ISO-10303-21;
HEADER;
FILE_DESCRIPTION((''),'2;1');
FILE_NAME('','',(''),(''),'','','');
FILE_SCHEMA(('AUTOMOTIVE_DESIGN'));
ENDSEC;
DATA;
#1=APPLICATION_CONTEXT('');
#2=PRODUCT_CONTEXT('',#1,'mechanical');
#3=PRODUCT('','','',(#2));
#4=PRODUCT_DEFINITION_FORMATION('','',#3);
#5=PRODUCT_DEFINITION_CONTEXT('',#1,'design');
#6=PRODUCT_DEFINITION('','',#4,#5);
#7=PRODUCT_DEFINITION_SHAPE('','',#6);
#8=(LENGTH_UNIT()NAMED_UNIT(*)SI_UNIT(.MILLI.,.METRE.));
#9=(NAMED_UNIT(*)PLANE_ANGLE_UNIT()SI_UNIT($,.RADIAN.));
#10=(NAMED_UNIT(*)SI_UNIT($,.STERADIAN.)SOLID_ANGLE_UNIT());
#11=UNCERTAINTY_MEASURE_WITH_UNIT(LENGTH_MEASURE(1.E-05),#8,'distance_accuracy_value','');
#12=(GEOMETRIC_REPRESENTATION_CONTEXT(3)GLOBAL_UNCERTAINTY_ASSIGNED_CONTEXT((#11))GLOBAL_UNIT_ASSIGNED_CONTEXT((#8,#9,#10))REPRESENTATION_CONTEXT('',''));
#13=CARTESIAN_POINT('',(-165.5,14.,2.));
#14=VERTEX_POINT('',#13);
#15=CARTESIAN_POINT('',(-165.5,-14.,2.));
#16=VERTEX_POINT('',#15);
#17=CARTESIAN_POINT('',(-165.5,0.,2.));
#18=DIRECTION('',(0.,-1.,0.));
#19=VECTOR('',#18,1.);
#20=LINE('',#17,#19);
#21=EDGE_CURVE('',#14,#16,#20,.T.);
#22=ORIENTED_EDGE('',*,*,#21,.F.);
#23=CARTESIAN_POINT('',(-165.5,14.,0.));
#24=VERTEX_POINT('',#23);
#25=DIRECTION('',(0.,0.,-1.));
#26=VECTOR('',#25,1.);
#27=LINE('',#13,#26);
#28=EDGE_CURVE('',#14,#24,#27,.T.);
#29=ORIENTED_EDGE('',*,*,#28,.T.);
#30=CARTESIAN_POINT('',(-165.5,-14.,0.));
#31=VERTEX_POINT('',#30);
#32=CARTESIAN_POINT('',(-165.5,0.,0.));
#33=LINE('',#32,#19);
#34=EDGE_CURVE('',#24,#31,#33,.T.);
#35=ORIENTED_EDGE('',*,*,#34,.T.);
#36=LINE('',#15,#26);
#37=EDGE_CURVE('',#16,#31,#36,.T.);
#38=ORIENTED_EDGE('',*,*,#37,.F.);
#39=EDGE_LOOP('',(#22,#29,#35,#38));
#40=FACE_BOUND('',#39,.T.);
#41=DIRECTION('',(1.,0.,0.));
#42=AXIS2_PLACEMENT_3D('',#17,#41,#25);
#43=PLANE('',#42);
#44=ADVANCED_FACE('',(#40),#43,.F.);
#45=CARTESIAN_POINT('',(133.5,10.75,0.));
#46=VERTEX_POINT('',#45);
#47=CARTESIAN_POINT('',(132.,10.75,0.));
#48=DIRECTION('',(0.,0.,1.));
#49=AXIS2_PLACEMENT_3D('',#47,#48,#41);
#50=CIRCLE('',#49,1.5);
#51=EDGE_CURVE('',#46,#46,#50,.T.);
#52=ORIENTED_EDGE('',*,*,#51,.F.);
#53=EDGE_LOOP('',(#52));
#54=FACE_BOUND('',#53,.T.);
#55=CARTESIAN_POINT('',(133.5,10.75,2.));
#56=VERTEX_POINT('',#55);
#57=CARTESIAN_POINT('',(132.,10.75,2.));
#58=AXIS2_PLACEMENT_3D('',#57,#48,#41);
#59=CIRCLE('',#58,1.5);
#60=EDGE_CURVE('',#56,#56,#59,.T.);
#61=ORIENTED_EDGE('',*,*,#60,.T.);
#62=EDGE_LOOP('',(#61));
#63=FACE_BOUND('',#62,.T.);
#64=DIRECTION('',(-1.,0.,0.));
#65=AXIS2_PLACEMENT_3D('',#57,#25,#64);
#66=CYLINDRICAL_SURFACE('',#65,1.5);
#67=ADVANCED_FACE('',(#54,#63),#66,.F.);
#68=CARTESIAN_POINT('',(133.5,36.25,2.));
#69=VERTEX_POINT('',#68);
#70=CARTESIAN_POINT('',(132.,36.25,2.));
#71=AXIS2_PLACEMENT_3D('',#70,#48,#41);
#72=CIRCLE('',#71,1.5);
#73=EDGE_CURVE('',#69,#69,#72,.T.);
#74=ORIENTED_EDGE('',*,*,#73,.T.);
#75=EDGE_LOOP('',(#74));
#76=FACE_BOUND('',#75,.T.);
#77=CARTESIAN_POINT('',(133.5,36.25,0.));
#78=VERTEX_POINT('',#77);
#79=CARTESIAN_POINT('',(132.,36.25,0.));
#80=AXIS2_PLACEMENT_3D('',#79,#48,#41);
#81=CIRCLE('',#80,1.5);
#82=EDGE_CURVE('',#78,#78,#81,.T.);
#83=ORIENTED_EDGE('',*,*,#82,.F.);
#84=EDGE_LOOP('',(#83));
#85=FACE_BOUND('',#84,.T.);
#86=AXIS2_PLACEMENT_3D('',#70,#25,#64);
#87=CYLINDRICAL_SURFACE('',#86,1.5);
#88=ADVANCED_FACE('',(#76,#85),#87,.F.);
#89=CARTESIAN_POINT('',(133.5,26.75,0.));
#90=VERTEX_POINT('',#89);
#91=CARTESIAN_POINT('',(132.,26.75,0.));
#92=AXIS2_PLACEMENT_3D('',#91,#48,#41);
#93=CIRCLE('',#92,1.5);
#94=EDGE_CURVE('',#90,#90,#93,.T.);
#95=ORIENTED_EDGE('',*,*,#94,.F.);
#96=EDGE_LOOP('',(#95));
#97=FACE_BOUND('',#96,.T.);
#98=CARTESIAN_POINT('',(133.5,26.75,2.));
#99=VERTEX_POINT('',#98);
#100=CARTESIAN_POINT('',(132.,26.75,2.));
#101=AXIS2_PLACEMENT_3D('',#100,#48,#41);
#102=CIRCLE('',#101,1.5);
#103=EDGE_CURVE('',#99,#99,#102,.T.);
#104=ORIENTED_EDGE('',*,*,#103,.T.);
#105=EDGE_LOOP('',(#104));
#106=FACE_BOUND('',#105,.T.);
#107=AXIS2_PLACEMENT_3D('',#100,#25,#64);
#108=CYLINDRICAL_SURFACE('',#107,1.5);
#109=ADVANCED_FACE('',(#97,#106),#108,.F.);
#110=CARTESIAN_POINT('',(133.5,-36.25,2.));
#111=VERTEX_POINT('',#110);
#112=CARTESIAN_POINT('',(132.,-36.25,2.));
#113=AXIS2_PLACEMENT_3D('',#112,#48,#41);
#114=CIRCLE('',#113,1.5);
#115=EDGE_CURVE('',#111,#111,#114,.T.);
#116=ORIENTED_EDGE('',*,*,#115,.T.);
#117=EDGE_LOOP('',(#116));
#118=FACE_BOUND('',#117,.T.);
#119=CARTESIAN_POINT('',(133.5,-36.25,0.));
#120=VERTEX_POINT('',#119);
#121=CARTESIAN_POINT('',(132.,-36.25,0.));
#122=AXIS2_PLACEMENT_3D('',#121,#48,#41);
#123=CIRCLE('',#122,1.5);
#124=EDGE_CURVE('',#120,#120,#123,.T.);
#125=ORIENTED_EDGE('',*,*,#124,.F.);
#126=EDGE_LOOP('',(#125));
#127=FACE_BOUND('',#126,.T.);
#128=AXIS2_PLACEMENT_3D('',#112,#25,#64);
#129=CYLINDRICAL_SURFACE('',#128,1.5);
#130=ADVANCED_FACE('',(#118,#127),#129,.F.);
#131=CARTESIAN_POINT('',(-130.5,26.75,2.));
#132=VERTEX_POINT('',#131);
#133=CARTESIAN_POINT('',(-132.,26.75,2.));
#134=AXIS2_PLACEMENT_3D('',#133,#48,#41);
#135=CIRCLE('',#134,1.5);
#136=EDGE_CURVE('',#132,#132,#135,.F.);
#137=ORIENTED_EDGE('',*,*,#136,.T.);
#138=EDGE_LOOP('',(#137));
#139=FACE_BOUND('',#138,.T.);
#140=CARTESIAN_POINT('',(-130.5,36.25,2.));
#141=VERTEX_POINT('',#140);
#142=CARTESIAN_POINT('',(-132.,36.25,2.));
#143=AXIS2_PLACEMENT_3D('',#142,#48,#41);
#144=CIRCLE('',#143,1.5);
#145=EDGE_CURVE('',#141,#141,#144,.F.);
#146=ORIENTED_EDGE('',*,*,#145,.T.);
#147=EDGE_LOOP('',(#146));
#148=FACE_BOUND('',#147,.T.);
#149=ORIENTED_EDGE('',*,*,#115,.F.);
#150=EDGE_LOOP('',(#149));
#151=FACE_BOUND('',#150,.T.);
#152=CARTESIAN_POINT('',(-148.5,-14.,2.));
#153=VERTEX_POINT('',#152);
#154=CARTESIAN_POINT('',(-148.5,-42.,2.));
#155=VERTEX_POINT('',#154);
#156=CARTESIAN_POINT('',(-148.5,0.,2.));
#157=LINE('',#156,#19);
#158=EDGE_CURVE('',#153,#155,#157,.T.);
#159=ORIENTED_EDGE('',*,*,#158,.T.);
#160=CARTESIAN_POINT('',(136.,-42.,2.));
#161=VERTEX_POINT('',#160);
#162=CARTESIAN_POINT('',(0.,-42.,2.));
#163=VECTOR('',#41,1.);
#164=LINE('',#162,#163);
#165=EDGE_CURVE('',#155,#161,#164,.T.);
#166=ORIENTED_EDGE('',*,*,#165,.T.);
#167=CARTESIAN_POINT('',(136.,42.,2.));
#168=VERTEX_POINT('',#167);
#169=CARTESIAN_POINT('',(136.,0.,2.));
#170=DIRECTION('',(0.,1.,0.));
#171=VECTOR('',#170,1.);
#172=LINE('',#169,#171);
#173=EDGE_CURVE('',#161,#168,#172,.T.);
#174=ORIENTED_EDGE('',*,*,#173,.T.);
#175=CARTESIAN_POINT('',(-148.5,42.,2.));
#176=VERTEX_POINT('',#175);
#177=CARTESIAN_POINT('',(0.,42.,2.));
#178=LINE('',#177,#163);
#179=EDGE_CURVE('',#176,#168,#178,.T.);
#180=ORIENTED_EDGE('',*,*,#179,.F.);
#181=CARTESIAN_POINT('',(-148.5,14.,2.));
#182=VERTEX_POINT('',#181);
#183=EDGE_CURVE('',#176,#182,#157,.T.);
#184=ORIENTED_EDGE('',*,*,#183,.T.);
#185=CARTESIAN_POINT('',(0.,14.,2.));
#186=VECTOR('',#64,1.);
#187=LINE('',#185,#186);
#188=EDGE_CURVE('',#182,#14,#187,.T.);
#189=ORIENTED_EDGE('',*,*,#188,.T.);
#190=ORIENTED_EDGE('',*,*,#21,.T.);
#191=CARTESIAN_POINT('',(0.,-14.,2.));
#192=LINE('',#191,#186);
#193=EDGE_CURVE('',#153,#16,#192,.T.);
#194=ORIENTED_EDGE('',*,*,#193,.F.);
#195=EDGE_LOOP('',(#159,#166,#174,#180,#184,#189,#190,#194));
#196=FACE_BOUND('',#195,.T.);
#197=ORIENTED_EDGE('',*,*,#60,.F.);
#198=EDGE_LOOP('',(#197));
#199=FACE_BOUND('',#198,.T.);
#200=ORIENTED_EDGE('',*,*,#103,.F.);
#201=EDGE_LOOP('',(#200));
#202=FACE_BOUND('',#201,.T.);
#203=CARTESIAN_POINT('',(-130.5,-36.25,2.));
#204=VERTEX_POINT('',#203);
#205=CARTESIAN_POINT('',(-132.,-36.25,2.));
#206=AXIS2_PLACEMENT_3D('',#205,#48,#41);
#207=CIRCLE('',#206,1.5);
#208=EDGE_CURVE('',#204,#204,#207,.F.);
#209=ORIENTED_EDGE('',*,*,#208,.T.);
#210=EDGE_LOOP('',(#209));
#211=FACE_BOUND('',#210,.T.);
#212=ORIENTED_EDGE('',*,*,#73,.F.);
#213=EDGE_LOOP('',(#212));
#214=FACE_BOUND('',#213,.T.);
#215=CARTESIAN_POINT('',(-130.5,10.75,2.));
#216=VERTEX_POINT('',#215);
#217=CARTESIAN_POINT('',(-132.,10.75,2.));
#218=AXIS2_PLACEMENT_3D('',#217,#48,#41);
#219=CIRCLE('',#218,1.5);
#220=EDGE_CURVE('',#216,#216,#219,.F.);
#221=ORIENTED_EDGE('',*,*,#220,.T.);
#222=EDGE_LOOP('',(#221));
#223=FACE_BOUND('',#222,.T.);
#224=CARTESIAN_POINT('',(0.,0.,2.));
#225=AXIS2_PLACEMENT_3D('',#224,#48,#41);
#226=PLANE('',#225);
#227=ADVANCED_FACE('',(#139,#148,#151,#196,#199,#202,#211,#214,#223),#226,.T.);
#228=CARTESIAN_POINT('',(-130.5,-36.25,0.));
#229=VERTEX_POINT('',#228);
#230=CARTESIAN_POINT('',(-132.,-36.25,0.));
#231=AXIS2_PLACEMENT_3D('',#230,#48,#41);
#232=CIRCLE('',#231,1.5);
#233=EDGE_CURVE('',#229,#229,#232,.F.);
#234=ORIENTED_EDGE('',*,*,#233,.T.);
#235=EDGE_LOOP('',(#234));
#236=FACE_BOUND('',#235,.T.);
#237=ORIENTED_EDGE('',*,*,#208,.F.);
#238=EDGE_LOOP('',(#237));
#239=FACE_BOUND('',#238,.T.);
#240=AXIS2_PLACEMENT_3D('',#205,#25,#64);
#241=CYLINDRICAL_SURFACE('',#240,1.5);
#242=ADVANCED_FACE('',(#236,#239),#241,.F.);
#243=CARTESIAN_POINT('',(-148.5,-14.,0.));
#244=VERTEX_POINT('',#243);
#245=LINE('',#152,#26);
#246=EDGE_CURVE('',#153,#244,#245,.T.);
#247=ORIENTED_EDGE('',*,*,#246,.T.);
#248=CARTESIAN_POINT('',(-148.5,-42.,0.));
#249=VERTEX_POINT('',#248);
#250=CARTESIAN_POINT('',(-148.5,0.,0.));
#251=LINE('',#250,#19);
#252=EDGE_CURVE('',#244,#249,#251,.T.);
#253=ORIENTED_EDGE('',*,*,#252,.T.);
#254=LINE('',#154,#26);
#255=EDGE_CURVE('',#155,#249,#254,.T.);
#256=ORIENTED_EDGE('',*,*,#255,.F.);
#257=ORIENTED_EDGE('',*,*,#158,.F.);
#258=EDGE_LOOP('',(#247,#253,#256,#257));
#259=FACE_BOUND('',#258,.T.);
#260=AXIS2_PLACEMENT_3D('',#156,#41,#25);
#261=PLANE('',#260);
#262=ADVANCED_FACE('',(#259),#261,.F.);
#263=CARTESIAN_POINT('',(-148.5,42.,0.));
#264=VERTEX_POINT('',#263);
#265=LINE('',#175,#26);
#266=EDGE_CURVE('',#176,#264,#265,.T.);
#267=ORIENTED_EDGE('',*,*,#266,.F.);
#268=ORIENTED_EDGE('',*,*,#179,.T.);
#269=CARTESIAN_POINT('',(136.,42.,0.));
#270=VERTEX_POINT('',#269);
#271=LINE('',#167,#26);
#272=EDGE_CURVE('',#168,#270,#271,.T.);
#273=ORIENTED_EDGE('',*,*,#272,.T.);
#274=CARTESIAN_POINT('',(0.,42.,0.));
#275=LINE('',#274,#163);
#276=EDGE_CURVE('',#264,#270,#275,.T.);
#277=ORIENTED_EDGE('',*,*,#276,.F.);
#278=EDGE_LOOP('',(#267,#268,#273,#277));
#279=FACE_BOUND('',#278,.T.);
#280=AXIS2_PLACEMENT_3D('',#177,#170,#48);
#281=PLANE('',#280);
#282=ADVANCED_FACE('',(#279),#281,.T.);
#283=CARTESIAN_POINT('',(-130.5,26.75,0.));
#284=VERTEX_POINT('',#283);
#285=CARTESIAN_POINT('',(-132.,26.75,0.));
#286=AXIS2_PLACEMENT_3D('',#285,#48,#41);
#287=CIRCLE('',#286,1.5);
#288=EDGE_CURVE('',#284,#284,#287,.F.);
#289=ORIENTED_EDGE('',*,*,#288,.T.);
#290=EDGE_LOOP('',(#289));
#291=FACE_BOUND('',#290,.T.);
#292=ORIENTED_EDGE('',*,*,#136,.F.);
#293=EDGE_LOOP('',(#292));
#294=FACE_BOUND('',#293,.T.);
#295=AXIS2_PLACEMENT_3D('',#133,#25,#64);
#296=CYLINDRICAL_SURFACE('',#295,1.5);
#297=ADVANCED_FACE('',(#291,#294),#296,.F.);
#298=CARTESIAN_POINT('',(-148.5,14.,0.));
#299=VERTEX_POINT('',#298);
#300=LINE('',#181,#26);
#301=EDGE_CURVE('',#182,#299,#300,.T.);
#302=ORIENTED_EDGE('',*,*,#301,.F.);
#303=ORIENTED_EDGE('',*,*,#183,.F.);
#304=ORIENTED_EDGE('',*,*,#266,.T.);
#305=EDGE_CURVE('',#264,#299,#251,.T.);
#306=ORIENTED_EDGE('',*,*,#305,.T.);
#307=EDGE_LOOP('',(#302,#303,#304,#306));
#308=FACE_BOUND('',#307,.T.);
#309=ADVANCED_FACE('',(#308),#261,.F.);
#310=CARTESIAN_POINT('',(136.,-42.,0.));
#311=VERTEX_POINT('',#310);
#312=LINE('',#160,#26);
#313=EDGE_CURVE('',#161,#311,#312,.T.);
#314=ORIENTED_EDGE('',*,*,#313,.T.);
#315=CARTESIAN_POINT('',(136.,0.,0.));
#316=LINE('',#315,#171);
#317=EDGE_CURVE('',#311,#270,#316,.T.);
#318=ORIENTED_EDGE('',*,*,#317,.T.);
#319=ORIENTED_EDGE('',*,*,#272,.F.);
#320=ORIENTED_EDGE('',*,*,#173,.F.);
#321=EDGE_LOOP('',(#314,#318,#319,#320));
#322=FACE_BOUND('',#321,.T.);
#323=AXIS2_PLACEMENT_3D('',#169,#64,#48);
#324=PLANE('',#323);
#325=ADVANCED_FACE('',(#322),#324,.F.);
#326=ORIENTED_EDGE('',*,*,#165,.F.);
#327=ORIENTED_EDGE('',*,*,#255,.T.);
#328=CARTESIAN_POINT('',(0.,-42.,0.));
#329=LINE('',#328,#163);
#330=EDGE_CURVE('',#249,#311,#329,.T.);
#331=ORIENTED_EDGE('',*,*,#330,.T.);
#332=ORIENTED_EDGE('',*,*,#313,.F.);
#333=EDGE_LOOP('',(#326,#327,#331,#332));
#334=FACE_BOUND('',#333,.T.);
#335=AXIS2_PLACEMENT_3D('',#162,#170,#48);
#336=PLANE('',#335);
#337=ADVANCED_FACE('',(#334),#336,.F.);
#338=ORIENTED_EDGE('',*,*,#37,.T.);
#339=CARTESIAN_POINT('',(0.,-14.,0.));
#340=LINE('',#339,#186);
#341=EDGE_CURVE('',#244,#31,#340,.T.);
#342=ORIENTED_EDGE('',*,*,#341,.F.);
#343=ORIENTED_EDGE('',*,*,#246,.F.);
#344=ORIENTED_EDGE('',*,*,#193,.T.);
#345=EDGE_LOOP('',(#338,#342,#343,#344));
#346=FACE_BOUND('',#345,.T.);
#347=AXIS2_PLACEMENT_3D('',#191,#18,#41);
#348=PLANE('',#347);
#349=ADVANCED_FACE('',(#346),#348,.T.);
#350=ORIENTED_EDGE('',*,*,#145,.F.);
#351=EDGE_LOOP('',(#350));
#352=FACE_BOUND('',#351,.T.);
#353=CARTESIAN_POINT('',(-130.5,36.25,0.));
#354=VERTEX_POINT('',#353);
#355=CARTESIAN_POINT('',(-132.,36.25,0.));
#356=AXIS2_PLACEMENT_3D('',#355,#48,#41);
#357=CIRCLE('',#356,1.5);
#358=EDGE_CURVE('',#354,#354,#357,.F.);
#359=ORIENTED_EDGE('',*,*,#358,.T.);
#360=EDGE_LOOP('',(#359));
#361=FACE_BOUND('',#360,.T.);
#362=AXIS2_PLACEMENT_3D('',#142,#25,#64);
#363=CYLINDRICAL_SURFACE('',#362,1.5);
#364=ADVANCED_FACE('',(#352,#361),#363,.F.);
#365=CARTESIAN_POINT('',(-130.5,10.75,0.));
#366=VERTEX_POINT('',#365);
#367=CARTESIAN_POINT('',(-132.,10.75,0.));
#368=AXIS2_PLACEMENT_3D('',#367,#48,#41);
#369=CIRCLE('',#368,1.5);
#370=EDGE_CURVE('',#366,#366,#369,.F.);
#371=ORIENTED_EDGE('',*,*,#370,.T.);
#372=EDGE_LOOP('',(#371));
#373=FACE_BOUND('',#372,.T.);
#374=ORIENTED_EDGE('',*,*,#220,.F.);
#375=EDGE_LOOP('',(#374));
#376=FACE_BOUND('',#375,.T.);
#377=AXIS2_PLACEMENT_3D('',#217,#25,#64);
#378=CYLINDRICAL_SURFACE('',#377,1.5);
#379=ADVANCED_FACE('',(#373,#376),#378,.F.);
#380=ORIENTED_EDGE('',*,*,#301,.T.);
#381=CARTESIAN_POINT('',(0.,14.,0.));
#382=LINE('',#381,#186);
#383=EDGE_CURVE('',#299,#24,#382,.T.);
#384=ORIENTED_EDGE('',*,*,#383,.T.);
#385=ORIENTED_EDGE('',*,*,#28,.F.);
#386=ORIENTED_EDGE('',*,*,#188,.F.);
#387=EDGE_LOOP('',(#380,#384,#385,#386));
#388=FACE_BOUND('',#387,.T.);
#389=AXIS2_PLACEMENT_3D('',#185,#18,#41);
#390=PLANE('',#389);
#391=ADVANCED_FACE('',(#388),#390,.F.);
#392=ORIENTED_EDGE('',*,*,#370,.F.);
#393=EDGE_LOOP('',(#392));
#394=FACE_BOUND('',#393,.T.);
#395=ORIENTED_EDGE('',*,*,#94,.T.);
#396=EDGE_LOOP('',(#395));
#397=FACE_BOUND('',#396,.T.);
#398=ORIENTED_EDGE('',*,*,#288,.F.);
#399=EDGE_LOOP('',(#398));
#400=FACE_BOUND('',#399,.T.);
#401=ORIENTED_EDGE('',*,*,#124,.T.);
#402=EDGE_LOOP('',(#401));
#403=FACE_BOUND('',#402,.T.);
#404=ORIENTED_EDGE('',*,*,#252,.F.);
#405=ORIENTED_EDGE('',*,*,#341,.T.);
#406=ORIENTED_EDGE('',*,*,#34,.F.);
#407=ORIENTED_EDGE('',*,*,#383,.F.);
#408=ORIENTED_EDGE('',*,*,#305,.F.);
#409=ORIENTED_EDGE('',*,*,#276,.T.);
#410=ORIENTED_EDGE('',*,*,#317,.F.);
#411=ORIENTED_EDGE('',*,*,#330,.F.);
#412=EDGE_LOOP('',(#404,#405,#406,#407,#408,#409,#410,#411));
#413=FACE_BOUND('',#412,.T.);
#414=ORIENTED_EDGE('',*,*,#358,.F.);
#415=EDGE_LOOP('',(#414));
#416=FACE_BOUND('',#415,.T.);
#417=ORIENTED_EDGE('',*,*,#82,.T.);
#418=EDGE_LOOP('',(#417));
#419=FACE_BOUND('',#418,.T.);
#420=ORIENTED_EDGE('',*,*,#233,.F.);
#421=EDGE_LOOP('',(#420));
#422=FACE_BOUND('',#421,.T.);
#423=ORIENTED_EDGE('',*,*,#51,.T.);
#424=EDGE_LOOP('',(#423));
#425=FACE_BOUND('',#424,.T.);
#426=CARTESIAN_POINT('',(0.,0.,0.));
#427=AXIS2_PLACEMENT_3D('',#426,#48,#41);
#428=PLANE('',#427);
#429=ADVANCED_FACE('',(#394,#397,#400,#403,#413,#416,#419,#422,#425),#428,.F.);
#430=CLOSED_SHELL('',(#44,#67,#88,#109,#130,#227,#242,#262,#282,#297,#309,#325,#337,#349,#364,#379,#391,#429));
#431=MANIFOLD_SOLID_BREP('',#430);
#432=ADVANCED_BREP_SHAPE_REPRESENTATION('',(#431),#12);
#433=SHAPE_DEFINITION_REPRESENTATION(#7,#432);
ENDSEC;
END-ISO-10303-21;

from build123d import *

# Parameters (mm, degrees)
MODEL_W             = 272
MODEL_H             = 84
MODEL_R             = 1.5
MODEL_W_2           = 12.5
MODEL_W_3           = 17
MODEL_H_2           = 28
BOSS_EXTRUDE1_DEPTH = 2


with BuildPart() as part:
    # Model → Boss-Extrude1 (new body)
    # profile 1 of 3: a face of its own
    with BuildSketch(Plane.XY):
        Rectangle(MODEL_W, MODEL_H)
        with Locations((-132, 26.75)):
            Circle(MODEL_R, mode=Mode.SUBTRACT)
        with Locations((-132, -36.25)):
            Circle(MODEL_R, mode=Mode.SUBTRACT)
        with Locations((132, -36.25)):
            Circle(MODEL_R, mode=Mode.SUBTRACT)
        with Locations((132, 10.75)):
            Circle(MODEL_R, mode=Mode.SUBTRACT)
        with Locations((132, 26.75)):
            Circle(MODEL_R, mode=Mode.SUBTRACT)
        with Locations((132, 36.25)):
            Circle(MODEL_R, mode=Mode.SUBTRACT)
        with Locations((-132, 10.75)):
            Circle(MODEL_R, mode=Mode.SUBTRACT)
        with Locations((-132, 36.25)):
            Circle(MODEL_R, mode=Mode.SUBTRACT)
    # profile 2 of 3: a face of its own
    with BuildSketch(Plane.XY):
        with Locations((-142.25, 0)):
            Rectangle(MODEL_W_2, MODEL_H)
    # profile 3 of 3: a face of its own
    with BuildSketch(Plane.XY):
        with Locations((-157, 0)):
            Rectangle(MODEL_W_3, MODEL_H_2)
    extrude(amount=BOSS_EXTRUDE1_DEPTH)


solid = part.part
